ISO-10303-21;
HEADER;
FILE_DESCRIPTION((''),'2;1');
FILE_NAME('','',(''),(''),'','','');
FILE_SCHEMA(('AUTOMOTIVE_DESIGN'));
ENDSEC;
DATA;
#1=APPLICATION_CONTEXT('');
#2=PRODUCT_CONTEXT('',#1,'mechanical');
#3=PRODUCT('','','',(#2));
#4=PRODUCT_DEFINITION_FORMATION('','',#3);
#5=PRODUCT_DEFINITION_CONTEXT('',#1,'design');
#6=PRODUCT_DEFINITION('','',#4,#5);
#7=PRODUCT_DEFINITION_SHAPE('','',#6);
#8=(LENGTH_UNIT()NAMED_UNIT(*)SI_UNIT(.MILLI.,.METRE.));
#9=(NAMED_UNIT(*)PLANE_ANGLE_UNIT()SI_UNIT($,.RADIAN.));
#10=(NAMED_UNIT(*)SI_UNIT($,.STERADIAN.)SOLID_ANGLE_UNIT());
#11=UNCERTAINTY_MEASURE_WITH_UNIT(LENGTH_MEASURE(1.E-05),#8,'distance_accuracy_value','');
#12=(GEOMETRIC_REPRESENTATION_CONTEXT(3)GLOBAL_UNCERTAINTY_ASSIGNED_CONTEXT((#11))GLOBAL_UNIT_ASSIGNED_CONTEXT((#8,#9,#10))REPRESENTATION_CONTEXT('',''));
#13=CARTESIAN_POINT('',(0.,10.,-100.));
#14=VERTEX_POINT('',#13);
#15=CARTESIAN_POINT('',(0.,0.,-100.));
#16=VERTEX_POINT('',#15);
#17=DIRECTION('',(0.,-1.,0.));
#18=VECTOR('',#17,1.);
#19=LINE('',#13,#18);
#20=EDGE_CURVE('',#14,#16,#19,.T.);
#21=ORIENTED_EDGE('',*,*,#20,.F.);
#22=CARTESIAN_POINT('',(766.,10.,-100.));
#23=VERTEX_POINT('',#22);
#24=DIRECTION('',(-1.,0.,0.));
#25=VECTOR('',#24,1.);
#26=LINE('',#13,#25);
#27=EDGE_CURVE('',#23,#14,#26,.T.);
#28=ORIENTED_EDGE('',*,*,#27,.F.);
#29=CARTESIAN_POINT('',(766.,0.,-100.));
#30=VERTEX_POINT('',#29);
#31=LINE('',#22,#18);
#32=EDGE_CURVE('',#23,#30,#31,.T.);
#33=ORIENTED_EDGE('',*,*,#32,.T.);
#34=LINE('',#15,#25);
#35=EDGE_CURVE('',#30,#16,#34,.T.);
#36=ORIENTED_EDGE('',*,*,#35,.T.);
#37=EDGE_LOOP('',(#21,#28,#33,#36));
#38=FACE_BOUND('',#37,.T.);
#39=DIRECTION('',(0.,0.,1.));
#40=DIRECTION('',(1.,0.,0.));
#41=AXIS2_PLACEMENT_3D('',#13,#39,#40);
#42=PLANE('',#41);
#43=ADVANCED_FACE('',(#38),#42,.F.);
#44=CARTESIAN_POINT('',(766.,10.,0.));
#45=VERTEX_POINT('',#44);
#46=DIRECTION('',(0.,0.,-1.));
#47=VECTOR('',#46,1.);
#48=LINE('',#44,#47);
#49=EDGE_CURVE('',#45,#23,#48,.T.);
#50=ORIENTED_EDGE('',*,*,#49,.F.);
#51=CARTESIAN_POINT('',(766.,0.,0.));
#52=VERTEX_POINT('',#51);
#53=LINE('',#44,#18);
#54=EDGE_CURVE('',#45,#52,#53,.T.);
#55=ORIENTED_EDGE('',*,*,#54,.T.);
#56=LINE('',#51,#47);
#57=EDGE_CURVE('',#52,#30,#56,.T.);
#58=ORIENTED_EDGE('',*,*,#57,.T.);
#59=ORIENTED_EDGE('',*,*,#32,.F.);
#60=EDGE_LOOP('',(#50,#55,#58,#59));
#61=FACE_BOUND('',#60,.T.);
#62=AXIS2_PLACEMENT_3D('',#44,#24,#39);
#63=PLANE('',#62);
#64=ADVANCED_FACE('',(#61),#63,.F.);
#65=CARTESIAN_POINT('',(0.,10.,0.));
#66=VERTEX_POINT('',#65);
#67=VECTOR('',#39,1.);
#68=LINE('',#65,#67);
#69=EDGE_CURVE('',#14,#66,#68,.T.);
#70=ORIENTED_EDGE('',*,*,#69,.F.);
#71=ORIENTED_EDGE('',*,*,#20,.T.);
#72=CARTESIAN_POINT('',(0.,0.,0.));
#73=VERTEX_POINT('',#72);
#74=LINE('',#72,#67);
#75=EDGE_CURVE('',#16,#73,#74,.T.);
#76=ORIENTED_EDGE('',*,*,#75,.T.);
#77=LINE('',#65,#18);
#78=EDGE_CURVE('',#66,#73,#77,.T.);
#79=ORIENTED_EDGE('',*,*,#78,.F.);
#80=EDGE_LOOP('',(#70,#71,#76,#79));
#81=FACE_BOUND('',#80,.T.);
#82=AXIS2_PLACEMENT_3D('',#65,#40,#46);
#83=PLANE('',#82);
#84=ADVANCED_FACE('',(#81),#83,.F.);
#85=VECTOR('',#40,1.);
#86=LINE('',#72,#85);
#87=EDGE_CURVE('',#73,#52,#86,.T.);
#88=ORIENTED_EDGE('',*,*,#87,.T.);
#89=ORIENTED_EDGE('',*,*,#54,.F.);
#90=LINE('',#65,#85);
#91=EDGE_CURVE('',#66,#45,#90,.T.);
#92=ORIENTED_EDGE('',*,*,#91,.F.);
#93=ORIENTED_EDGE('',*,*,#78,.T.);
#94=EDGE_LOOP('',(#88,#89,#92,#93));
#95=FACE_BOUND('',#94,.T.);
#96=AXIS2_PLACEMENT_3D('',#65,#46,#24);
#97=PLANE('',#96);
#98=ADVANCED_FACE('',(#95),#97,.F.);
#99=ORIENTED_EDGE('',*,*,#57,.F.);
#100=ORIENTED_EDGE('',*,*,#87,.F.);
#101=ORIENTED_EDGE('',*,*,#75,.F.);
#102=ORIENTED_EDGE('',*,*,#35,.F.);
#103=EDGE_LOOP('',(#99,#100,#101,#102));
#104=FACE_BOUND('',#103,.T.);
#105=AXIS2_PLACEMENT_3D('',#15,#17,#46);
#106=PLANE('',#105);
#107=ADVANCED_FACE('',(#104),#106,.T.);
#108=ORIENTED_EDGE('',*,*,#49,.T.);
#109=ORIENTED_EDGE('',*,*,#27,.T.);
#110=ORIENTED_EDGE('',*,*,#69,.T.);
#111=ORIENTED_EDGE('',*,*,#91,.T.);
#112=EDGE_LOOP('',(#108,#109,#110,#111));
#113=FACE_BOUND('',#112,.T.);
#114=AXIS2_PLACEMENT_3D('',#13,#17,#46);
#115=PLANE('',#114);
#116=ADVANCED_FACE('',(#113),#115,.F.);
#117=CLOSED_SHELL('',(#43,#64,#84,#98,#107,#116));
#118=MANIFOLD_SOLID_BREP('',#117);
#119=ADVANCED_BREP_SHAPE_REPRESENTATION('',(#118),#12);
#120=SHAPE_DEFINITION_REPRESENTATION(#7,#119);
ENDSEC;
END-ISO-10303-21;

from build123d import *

# Parameters (mm, degrees)
ESQUISSE1_W      = 766
ESQUISSE1_H      = 100
EXTRUSION1_DEPTH = 10


with BuildPart() as part:
    # Esquisse1 → Extrusion1 (new body)
    with BuildSketch(Plane(origin=(0, 0, 0), x_dir=(1, 0, 0), z_dir=(0, 1, 0))):
        with Locations((383, 50)):
            Rectangle(ESQUISSE1_W, ESQUISSE1_H)
    extrude(amount=EXTRUSION1_DEPTH)


solid = part.part
